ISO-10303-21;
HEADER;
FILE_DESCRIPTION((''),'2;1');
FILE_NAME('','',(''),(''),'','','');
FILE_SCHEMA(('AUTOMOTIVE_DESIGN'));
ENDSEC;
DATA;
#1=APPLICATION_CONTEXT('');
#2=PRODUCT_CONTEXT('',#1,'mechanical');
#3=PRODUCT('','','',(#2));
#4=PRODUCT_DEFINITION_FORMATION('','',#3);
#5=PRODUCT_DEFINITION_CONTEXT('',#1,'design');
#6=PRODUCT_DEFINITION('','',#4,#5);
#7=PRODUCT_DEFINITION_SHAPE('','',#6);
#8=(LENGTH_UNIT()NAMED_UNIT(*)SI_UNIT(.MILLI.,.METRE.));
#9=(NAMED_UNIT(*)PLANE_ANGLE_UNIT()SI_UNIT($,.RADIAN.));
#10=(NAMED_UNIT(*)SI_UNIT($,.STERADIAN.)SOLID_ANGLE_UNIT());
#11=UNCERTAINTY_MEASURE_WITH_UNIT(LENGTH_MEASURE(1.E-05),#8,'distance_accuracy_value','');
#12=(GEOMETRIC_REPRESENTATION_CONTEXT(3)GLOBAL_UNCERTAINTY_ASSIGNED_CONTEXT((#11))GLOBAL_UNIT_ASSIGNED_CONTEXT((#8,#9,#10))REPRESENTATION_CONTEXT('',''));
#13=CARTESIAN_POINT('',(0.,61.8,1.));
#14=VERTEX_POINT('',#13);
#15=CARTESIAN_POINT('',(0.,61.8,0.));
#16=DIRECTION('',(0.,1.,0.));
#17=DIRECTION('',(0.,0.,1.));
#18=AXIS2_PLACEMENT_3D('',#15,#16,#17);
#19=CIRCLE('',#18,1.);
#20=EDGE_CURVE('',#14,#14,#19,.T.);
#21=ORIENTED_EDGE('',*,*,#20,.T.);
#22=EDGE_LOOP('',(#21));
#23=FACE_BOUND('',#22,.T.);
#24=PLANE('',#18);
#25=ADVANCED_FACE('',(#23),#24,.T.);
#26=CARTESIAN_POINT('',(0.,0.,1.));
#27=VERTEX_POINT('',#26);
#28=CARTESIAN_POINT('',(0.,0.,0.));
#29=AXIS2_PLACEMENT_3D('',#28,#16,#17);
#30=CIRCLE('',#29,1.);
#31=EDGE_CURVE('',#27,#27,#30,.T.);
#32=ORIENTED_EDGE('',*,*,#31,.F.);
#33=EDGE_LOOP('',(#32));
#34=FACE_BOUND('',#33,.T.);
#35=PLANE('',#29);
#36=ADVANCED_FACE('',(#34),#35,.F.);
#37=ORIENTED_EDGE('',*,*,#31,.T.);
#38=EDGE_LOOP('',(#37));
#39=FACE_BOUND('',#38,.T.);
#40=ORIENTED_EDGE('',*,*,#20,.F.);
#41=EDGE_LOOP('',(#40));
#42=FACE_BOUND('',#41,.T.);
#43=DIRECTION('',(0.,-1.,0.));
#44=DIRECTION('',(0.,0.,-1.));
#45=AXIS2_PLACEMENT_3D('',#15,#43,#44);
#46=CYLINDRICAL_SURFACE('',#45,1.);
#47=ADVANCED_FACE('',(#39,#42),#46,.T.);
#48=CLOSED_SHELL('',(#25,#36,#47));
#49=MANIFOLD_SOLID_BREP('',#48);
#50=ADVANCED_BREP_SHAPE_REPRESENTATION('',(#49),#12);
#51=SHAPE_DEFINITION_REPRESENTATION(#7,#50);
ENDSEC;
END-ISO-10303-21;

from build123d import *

# Parameters (mm, degrees)
SKETCH1_R           = 1
BOSS_EXTRUDE1_DEPTH = 61.8


with BuildPart() as part:
    # Sketch1 → Boss-Extrude1 (new body)
    with BuildSketch(Plane(origin=(0, 0, 0), x_dir=(1, 0, 0), z_dir=(0, 1, 0))):
        with Locations(Location((0, 0, 0), (0, 0, 270))):
            Circle(SKETCH1_R)
    extrude(amount=BOSS_EXTRUDE1_DEPTH)


solid = part.part
